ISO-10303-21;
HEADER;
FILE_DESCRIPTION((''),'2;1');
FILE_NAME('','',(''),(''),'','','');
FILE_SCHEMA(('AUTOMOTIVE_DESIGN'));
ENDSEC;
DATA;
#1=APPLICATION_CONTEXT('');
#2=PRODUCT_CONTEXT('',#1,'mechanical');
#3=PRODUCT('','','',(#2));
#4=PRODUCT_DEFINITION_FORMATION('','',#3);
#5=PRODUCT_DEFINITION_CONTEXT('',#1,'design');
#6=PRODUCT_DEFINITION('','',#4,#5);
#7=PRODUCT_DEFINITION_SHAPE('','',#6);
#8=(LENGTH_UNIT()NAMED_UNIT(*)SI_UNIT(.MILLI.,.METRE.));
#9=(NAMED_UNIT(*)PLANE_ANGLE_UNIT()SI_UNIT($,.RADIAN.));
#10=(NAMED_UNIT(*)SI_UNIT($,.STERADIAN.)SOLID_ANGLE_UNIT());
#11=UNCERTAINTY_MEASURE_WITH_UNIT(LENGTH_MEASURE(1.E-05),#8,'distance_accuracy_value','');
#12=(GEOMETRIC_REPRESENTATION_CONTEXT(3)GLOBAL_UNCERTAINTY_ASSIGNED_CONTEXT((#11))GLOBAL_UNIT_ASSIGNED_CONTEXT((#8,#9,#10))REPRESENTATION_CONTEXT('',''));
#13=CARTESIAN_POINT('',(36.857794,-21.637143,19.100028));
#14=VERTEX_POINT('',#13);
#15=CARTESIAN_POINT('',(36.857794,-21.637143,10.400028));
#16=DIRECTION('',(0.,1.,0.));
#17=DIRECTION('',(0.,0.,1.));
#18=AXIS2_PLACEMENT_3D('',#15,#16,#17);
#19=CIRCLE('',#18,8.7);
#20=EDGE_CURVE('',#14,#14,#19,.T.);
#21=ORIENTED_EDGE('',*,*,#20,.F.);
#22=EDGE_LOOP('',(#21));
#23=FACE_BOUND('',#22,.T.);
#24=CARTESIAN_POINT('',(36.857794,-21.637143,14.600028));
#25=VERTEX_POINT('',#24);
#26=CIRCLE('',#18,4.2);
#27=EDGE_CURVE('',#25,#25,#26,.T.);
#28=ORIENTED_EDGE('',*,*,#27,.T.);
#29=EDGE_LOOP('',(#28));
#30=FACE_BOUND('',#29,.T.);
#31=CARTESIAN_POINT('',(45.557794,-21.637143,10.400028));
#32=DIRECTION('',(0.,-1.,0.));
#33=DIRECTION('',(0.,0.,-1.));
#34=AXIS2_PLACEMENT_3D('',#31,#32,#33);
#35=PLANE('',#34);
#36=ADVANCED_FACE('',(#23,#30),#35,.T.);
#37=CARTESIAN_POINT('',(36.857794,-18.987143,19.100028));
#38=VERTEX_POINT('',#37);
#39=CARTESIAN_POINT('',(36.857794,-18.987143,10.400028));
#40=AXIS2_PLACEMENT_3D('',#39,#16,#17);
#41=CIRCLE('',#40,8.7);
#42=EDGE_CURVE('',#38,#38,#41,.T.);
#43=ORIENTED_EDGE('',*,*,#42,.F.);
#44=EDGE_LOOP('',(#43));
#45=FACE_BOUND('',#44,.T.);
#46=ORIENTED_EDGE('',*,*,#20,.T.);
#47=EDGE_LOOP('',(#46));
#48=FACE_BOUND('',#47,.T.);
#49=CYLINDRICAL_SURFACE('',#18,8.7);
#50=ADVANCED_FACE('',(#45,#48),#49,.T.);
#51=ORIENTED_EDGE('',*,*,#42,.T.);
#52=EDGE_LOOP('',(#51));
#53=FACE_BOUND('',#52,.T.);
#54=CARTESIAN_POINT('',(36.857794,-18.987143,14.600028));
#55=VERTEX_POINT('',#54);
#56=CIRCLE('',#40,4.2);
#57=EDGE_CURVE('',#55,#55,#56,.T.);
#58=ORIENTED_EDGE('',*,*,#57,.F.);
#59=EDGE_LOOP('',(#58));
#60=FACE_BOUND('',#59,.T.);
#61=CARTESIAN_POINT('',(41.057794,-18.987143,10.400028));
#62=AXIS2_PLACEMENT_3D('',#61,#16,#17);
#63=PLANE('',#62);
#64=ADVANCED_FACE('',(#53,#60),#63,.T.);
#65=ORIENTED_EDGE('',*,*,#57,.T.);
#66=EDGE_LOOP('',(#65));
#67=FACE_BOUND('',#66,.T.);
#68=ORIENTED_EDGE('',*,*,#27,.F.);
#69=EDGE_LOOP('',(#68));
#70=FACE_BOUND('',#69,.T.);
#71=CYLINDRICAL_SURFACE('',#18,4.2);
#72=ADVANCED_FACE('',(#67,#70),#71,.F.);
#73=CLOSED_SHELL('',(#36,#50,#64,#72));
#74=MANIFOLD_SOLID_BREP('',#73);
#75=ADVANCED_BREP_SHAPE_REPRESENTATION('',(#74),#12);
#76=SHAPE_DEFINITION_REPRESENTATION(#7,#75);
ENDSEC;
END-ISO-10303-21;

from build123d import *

# Parameters (mm, degrees)
ESQUISSE1_W = 4.5
ESQUISSE1_H = 2.65


with BuildPart() as part:
    # Esquisse1 → Révolution1 (revolve)
    with BuildSketch(Plane(origin=(0, 0, 10.400028379), x_dir=(-1, 0, 0), z_dir=(0, 0, -1)), mode=Mode.PRIVATE) as r_volution1_sk:
        with Locations((-43.3077939, -20.31214263)):
            Rectangle(ESQUISSE1_W, ESQUISSE1_H)
    revolve(r_volution1_sk.sketch.rotate(Axis((36.8577939, -21.63714263, 10.400028379), (0, 1, 0)), 270), axis=Axis((36.8577939, -21.63714263, 10.400028379), (0, 1, 0)))


solid = part.part
